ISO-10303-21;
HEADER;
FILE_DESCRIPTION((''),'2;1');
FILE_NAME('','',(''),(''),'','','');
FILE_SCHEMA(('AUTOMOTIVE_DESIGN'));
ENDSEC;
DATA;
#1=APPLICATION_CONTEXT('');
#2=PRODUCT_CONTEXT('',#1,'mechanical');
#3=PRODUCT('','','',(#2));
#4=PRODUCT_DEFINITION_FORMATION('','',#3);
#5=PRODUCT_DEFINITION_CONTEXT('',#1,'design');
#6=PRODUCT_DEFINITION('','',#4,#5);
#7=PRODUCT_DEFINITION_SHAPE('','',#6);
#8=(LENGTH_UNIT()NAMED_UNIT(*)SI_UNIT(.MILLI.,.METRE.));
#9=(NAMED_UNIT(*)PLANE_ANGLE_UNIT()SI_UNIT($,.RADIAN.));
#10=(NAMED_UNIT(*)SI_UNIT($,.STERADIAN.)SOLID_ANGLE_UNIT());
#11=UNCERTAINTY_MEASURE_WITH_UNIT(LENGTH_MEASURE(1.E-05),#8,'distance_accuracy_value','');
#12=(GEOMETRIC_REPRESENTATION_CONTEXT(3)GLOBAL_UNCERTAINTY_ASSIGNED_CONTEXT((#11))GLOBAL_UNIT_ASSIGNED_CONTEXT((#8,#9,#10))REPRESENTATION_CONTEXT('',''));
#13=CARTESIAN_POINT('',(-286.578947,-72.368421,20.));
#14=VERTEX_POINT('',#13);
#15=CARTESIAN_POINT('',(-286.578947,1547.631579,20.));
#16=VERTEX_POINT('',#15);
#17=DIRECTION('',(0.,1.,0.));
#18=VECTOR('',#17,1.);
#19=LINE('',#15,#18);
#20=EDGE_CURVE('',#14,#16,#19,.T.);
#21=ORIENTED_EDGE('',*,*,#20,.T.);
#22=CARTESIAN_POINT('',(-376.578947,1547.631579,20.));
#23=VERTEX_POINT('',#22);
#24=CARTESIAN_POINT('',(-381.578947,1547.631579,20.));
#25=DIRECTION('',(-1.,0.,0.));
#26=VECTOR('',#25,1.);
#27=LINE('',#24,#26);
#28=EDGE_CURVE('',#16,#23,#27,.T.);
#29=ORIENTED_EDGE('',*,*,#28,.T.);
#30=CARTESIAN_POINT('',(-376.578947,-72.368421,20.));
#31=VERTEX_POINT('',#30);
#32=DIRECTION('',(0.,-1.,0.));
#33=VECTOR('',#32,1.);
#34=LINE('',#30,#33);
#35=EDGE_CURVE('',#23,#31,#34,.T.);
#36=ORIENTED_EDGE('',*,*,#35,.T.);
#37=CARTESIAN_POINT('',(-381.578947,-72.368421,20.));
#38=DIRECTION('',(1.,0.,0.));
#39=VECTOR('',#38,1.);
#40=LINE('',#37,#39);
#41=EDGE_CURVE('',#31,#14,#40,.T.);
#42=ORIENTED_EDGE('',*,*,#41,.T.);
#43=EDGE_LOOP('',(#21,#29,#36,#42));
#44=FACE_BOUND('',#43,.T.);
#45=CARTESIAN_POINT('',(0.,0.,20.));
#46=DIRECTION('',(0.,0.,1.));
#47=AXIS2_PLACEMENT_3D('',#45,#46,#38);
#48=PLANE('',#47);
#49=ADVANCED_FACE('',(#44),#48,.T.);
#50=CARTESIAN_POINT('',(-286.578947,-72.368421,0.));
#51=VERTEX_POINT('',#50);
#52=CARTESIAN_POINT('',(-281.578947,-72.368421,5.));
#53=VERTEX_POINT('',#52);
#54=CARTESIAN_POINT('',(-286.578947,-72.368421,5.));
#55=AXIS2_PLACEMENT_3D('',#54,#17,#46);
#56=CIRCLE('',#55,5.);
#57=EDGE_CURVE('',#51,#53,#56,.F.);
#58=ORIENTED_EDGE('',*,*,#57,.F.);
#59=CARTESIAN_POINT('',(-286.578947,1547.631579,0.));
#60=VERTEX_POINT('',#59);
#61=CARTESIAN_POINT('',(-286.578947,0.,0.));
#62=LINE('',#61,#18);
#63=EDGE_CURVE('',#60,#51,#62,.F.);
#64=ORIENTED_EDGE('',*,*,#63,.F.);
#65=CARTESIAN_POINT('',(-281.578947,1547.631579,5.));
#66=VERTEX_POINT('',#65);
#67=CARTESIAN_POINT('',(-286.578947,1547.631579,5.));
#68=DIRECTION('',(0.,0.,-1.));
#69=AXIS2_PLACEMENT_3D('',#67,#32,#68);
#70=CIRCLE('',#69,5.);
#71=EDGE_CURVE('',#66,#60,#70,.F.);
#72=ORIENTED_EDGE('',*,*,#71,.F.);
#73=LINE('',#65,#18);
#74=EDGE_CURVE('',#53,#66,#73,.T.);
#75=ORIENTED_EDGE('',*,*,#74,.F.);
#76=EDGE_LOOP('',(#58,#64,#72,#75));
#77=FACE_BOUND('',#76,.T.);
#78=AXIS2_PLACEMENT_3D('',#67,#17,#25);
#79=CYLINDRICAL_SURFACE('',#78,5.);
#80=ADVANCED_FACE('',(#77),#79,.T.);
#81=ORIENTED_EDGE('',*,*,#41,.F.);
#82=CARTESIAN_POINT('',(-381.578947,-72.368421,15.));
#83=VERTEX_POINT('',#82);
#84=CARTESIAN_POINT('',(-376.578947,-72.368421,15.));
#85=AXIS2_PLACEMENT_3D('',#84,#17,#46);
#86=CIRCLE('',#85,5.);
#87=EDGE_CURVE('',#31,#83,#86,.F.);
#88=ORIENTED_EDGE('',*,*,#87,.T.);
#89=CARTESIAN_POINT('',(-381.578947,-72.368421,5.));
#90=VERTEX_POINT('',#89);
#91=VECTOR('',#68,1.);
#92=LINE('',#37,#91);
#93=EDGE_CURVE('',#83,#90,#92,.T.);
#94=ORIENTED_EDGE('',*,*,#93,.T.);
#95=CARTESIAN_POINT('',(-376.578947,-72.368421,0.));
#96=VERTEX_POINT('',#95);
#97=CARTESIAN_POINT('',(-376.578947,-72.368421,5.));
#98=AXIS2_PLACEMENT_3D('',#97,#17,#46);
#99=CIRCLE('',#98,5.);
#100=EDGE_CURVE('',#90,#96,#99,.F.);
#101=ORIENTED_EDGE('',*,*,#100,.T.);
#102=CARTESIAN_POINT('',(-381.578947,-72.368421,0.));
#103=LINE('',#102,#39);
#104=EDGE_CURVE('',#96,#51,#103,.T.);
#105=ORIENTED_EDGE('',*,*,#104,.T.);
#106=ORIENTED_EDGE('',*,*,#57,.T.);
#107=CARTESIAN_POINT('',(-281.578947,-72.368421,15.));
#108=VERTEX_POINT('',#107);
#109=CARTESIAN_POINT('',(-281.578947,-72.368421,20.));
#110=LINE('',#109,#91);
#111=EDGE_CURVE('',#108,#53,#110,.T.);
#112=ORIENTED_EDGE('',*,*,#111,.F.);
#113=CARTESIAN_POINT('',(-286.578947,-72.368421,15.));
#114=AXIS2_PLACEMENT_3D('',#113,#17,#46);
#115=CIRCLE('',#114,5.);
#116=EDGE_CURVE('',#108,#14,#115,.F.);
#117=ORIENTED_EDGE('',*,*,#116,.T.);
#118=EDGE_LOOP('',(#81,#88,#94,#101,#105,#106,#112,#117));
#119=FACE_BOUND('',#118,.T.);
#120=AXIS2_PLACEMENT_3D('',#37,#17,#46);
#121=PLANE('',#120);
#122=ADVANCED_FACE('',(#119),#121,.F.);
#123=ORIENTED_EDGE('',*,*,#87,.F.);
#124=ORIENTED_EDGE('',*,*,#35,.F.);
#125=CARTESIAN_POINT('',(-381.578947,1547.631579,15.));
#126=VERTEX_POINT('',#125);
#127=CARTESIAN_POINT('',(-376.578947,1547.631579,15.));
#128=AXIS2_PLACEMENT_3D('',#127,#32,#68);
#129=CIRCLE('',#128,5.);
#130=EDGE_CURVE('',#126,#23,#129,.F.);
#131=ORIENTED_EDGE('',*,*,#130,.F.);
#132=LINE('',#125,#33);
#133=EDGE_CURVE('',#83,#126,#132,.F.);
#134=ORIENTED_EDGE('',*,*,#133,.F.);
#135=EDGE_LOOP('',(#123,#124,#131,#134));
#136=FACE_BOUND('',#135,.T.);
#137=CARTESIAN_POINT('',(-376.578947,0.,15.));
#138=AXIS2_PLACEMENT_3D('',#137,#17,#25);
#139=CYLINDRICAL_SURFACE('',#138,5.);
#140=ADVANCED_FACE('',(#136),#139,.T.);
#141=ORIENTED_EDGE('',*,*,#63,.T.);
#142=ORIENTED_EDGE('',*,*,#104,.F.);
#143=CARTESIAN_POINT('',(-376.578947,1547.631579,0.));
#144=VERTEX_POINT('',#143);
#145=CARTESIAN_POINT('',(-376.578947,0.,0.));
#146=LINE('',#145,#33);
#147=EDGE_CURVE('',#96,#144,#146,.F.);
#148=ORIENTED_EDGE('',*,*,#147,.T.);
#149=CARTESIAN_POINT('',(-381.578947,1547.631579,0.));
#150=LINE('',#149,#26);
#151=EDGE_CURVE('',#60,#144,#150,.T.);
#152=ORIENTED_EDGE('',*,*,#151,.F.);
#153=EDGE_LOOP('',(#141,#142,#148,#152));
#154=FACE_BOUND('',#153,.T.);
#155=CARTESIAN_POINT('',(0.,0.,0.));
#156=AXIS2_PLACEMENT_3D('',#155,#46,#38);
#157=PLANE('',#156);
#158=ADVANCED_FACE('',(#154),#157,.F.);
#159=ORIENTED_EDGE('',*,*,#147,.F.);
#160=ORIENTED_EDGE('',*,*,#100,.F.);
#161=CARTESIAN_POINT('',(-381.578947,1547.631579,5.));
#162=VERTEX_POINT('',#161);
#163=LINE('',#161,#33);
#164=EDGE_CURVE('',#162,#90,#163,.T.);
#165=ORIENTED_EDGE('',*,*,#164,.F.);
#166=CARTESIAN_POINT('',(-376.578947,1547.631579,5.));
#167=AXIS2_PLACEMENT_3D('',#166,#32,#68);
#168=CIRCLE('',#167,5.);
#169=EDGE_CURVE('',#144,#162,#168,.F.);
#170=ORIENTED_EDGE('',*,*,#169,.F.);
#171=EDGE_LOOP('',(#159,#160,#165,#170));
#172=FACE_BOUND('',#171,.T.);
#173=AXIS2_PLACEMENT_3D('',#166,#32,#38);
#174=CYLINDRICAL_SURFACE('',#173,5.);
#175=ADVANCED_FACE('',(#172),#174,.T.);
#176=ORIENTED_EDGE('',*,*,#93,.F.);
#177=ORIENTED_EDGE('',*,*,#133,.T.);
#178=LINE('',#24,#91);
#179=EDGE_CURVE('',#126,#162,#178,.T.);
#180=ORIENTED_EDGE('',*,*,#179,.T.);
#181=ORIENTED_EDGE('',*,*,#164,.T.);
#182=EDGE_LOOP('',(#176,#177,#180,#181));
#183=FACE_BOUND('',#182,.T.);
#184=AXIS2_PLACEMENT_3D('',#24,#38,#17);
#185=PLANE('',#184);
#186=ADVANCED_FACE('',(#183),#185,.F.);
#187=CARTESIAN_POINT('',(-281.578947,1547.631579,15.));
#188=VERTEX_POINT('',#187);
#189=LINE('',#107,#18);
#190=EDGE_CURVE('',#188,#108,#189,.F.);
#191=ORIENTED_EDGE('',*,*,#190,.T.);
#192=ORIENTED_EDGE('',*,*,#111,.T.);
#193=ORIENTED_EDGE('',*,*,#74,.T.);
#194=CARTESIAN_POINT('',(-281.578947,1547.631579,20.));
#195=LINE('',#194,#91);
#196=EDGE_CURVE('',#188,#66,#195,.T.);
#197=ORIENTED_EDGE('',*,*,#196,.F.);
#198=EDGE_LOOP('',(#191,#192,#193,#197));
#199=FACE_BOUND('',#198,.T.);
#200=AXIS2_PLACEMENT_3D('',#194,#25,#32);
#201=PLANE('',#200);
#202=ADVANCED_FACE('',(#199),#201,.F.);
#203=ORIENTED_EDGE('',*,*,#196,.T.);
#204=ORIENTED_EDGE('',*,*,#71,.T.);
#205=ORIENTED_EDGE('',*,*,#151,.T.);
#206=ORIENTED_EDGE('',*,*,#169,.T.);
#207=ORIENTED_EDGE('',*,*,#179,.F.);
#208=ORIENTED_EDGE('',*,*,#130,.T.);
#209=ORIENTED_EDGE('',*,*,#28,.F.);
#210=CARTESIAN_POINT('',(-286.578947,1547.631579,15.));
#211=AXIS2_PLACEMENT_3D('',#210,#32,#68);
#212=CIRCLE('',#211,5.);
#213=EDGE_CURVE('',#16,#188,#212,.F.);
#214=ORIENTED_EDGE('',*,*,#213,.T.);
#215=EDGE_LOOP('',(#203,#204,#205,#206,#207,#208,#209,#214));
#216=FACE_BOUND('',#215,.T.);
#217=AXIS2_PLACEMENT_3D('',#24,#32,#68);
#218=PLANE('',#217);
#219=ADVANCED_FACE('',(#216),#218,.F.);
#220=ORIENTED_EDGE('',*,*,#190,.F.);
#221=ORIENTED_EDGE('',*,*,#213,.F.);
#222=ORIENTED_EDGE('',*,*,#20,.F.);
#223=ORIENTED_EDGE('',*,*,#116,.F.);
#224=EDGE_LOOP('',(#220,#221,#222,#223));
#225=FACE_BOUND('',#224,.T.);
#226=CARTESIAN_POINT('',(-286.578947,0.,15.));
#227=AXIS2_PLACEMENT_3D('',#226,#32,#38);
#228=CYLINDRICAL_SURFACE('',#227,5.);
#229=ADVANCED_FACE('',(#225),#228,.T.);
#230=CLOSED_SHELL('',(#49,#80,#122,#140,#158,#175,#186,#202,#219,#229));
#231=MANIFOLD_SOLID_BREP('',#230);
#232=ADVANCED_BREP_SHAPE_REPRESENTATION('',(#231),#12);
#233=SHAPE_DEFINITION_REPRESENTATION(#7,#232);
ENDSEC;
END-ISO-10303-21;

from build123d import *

# Parameters (mm, degrees)
SKETCH_1_W      = 100
SKETCH_1_H      = 1620
EXTRUDE_1_DEPTH = 20
FILLET_1_R      = 5


with BuildPart() as part:
    # Эскиз1 → Бобышка-Вытянуть1 (new body)
    with BuildSketch(Plane.XY):
        with Locations((-331.578947368, 737.631578947)):
            Rectangle(SKETCH_1_W, SKETCH_1_H)
    extrude(amount=EXTRUDE_1_DEPTH)

    # Скругление1
    fillet_1_edges = [part.edges().sort_by_distance(p)[0] for p in [
        (-281.578947368, 737.631578947, 20),
        (-381.578947368, 737.631578947, 20),
        (-281.578947368, 737.631578947, 0),
        (-381.578947368, 737.631578947, 0),
    ]]
    fillet(fillet_1_edges, radius=FILLET_1_R)


solid = part.part
